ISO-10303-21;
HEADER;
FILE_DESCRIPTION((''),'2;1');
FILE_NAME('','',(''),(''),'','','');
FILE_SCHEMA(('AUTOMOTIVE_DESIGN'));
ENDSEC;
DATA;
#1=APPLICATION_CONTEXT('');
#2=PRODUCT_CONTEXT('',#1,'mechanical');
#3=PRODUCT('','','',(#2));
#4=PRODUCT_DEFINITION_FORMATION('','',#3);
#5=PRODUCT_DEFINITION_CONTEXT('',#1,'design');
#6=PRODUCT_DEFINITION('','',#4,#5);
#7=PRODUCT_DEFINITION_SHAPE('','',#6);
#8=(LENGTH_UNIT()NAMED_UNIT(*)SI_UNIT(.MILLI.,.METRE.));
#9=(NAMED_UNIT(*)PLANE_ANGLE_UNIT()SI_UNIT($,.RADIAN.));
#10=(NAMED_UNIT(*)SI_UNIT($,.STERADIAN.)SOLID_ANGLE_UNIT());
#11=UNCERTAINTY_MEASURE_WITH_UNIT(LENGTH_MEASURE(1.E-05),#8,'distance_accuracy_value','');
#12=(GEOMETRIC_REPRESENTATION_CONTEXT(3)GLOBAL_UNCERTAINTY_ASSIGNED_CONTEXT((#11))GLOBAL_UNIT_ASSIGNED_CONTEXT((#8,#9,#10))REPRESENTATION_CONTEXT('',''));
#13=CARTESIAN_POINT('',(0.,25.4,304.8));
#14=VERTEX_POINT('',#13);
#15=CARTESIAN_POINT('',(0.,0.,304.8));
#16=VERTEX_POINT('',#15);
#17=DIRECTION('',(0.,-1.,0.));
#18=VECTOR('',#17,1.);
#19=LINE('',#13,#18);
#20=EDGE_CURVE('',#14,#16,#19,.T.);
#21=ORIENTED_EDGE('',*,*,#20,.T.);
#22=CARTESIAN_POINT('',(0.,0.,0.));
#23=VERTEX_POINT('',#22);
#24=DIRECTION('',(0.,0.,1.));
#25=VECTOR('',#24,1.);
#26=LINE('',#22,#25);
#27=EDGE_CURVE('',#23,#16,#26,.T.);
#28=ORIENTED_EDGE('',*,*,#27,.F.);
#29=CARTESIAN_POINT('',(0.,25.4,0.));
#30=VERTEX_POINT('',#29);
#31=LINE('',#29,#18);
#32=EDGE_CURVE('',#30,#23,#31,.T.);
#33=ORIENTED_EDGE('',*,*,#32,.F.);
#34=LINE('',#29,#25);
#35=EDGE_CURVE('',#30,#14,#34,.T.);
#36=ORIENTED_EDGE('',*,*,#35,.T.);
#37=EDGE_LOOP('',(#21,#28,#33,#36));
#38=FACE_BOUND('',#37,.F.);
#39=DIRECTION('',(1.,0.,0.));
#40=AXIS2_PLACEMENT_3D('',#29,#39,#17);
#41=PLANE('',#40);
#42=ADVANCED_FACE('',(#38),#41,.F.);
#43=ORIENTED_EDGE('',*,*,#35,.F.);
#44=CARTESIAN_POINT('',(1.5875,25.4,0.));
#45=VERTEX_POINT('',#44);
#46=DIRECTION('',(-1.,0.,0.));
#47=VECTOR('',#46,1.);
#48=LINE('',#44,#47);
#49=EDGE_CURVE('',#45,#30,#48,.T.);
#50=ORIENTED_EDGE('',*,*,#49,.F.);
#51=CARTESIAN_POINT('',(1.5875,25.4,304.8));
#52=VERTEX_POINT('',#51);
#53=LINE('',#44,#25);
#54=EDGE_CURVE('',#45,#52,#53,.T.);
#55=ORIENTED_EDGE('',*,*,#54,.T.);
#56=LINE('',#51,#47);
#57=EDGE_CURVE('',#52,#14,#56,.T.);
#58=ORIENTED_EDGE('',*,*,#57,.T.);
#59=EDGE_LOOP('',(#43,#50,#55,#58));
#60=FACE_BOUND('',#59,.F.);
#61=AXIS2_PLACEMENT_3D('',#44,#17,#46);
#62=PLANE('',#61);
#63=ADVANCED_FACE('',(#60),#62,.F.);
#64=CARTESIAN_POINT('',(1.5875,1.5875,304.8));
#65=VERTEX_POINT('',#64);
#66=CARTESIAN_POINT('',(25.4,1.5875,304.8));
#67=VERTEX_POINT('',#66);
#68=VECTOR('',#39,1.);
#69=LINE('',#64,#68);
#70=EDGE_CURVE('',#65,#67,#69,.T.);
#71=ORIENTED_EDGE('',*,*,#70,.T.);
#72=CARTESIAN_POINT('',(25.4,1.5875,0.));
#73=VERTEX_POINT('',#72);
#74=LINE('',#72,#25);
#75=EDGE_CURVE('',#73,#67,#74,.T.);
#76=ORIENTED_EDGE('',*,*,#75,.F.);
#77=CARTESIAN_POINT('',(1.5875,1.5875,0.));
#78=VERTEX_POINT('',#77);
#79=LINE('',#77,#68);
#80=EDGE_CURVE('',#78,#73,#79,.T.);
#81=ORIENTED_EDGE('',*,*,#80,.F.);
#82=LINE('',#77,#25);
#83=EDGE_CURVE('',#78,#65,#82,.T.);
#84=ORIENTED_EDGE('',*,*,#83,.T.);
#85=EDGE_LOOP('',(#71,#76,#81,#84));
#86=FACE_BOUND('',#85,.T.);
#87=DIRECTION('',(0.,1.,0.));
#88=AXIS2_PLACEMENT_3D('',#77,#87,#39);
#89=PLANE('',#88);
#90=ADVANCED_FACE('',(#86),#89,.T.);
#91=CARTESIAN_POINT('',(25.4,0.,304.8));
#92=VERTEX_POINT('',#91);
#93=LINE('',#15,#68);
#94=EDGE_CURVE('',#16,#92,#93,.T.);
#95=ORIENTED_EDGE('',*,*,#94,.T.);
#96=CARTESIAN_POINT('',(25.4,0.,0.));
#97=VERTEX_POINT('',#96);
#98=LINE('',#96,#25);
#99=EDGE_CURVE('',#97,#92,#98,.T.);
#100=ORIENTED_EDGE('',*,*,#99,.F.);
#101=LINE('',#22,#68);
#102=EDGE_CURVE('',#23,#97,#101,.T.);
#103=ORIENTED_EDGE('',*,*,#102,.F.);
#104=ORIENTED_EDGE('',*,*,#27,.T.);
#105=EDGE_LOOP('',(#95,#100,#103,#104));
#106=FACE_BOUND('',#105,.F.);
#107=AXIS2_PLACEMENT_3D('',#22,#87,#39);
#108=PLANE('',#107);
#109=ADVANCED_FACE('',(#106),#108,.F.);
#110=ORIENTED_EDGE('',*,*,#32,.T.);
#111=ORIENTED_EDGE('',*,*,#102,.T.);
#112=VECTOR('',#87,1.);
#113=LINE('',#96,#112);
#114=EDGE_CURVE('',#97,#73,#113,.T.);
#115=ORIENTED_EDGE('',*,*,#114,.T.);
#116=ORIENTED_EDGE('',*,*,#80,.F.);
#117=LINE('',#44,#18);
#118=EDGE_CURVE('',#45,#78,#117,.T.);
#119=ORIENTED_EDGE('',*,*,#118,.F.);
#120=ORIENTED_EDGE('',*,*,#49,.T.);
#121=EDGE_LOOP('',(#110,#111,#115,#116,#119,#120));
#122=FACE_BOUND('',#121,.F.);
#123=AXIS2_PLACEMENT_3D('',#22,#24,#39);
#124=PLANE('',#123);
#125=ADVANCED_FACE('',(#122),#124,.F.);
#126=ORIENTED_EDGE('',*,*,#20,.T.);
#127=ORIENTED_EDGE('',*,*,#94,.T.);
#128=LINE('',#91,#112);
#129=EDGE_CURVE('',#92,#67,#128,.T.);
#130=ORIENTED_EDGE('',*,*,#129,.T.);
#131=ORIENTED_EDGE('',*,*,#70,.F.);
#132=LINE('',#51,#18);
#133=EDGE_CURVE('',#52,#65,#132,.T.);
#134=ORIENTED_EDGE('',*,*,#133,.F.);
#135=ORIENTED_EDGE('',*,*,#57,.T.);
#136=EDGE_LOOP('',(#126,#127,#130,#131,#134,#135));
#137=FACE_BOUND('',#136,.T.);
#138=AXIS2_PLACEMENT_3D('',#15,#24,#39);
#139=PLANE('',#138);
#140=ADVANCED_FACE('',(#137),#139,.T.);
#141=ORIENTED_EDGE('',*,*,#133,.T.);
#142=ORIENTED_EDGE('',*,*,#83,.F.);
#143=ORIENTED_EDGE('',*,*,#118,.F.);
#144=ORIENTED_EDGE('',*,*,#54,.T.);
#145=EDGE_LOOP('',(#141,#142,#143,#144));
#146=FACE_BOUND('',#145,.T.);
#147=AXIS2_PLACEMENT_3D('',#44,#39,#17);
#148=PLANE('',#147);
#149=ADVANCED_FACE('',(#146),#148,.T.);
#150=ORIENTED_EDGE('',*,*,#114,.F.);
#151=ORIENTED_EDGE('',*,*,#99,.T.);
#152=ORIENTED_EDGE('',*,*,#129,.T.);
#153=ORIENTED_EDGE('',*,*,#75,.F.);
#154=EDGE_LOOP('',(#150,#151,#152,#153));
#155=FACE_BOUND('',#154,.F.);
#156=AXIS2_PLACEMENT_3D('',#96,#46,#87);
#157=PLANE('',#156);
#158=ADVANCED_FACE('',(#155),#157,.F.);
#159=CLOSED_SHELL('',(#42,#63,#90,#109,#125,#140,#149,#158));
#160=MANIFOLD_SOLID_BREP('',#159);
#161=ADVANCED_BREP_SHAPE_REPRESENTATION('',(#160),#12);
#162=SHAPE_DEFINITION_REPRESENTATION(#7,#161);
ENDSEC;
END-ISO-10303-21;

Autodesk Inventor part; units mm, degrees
ref_plane "YZ Plane" through (0, 0, 0) normal (1, 0, 0) x (0, 1, 0)
ref_plane "XZ Plane" through (0, 0, 0) normal (0, 1, 0) x (-1, 0, 0)
ref_plane "XY Plane" through (0, 0, 0) normal (0, 0, 1) x (1, 0, 0)
sketch "Sketch1" plane through (0, 0, 0) normal (0, 0, 1) x (1, 0, 0)
  line L0 (0, 0) -> (25.4, 0)
  line L1 (25.4, 0) -> (25.4, 1.5875)
  line L2 (1.5875, 25.4) -> (0, 25.4)
  line L3 (0, 25.4) -> (0, 0)
  line L4 (1.5875, 25.4) -> (1.5875, 1.5875)
  line L5 (1.5875, 1.5875) -> (25.4, 1.5875)
  dimension "d0" = 25.4
  dimension "d1" = 25.4
  dimension "d2" = 1.5875
  dimension "d3" = 1.5875
extrude "Extrusion1" add sketch "Sketch1" along normal blind 304.8
equation "\"d2\" = d3"
properties part number "8 ball back U"
